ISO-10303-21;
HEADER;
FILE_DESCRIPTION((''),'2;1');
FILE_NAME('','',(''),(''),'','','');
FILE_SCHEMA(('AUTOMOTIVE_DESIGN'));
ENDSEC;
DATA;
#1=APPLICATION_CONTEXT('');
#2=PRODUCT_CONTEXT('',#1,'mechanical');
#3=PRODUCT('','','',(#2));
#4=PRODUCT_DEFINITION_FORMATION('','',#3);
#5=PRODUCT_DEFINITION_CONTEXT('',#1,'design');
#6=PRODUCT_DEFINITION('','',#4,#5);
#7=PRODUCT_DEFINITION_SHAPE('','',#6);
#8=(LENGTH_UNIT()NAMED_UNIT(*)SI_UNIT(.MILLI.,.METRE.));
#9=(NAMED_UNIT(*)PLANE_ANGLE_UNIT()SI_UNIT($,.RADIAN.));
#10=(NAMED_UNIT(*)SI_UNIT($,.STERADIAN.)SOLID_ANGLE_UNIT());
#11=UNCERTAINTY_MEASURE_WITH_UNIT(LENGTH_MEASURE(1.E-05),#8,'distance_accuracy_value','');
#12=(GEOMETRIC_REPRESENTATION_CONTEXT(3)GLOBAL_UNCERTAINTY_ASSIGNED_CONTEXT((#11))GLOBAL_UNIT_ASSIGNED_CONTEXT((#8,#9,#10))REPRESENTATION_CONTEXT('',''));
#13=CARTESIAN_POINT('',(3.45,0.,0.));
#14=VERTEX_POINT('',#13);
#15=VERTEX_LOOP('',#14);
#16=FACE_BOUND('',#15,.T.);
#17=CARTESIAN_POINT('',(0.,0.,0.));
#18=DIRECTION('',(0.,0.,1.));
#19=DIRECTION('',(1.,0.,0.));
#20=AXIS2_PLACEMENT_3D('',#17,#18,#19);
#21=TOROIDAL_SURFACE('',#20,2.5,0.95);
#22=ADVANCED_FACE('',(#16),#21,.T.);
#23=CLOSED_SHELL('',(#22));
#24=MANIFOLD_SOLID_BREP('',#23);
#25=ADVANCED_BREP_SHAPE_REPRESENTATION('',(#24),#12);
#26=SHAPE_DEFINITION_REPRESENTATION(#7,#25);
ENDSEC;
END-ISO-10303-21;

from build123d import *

# Parameters (mm, degrees)
SKETCH_1_R = 0.95


with BuildPart() as part:
    # Эскиз1 → Повернуть1 (revolve)
    with BuildSketch(Plane(origin=(0, 0, 0), x_dir=(1, 0, 0), z_dir=(0, 1, 0))):
        with Locations((2.5, 0)):
            Circle(SKETCH_1_R)
    revolve(axis=Axis((0, 0, 0), (0, 0, -1)))


solid = part.part
